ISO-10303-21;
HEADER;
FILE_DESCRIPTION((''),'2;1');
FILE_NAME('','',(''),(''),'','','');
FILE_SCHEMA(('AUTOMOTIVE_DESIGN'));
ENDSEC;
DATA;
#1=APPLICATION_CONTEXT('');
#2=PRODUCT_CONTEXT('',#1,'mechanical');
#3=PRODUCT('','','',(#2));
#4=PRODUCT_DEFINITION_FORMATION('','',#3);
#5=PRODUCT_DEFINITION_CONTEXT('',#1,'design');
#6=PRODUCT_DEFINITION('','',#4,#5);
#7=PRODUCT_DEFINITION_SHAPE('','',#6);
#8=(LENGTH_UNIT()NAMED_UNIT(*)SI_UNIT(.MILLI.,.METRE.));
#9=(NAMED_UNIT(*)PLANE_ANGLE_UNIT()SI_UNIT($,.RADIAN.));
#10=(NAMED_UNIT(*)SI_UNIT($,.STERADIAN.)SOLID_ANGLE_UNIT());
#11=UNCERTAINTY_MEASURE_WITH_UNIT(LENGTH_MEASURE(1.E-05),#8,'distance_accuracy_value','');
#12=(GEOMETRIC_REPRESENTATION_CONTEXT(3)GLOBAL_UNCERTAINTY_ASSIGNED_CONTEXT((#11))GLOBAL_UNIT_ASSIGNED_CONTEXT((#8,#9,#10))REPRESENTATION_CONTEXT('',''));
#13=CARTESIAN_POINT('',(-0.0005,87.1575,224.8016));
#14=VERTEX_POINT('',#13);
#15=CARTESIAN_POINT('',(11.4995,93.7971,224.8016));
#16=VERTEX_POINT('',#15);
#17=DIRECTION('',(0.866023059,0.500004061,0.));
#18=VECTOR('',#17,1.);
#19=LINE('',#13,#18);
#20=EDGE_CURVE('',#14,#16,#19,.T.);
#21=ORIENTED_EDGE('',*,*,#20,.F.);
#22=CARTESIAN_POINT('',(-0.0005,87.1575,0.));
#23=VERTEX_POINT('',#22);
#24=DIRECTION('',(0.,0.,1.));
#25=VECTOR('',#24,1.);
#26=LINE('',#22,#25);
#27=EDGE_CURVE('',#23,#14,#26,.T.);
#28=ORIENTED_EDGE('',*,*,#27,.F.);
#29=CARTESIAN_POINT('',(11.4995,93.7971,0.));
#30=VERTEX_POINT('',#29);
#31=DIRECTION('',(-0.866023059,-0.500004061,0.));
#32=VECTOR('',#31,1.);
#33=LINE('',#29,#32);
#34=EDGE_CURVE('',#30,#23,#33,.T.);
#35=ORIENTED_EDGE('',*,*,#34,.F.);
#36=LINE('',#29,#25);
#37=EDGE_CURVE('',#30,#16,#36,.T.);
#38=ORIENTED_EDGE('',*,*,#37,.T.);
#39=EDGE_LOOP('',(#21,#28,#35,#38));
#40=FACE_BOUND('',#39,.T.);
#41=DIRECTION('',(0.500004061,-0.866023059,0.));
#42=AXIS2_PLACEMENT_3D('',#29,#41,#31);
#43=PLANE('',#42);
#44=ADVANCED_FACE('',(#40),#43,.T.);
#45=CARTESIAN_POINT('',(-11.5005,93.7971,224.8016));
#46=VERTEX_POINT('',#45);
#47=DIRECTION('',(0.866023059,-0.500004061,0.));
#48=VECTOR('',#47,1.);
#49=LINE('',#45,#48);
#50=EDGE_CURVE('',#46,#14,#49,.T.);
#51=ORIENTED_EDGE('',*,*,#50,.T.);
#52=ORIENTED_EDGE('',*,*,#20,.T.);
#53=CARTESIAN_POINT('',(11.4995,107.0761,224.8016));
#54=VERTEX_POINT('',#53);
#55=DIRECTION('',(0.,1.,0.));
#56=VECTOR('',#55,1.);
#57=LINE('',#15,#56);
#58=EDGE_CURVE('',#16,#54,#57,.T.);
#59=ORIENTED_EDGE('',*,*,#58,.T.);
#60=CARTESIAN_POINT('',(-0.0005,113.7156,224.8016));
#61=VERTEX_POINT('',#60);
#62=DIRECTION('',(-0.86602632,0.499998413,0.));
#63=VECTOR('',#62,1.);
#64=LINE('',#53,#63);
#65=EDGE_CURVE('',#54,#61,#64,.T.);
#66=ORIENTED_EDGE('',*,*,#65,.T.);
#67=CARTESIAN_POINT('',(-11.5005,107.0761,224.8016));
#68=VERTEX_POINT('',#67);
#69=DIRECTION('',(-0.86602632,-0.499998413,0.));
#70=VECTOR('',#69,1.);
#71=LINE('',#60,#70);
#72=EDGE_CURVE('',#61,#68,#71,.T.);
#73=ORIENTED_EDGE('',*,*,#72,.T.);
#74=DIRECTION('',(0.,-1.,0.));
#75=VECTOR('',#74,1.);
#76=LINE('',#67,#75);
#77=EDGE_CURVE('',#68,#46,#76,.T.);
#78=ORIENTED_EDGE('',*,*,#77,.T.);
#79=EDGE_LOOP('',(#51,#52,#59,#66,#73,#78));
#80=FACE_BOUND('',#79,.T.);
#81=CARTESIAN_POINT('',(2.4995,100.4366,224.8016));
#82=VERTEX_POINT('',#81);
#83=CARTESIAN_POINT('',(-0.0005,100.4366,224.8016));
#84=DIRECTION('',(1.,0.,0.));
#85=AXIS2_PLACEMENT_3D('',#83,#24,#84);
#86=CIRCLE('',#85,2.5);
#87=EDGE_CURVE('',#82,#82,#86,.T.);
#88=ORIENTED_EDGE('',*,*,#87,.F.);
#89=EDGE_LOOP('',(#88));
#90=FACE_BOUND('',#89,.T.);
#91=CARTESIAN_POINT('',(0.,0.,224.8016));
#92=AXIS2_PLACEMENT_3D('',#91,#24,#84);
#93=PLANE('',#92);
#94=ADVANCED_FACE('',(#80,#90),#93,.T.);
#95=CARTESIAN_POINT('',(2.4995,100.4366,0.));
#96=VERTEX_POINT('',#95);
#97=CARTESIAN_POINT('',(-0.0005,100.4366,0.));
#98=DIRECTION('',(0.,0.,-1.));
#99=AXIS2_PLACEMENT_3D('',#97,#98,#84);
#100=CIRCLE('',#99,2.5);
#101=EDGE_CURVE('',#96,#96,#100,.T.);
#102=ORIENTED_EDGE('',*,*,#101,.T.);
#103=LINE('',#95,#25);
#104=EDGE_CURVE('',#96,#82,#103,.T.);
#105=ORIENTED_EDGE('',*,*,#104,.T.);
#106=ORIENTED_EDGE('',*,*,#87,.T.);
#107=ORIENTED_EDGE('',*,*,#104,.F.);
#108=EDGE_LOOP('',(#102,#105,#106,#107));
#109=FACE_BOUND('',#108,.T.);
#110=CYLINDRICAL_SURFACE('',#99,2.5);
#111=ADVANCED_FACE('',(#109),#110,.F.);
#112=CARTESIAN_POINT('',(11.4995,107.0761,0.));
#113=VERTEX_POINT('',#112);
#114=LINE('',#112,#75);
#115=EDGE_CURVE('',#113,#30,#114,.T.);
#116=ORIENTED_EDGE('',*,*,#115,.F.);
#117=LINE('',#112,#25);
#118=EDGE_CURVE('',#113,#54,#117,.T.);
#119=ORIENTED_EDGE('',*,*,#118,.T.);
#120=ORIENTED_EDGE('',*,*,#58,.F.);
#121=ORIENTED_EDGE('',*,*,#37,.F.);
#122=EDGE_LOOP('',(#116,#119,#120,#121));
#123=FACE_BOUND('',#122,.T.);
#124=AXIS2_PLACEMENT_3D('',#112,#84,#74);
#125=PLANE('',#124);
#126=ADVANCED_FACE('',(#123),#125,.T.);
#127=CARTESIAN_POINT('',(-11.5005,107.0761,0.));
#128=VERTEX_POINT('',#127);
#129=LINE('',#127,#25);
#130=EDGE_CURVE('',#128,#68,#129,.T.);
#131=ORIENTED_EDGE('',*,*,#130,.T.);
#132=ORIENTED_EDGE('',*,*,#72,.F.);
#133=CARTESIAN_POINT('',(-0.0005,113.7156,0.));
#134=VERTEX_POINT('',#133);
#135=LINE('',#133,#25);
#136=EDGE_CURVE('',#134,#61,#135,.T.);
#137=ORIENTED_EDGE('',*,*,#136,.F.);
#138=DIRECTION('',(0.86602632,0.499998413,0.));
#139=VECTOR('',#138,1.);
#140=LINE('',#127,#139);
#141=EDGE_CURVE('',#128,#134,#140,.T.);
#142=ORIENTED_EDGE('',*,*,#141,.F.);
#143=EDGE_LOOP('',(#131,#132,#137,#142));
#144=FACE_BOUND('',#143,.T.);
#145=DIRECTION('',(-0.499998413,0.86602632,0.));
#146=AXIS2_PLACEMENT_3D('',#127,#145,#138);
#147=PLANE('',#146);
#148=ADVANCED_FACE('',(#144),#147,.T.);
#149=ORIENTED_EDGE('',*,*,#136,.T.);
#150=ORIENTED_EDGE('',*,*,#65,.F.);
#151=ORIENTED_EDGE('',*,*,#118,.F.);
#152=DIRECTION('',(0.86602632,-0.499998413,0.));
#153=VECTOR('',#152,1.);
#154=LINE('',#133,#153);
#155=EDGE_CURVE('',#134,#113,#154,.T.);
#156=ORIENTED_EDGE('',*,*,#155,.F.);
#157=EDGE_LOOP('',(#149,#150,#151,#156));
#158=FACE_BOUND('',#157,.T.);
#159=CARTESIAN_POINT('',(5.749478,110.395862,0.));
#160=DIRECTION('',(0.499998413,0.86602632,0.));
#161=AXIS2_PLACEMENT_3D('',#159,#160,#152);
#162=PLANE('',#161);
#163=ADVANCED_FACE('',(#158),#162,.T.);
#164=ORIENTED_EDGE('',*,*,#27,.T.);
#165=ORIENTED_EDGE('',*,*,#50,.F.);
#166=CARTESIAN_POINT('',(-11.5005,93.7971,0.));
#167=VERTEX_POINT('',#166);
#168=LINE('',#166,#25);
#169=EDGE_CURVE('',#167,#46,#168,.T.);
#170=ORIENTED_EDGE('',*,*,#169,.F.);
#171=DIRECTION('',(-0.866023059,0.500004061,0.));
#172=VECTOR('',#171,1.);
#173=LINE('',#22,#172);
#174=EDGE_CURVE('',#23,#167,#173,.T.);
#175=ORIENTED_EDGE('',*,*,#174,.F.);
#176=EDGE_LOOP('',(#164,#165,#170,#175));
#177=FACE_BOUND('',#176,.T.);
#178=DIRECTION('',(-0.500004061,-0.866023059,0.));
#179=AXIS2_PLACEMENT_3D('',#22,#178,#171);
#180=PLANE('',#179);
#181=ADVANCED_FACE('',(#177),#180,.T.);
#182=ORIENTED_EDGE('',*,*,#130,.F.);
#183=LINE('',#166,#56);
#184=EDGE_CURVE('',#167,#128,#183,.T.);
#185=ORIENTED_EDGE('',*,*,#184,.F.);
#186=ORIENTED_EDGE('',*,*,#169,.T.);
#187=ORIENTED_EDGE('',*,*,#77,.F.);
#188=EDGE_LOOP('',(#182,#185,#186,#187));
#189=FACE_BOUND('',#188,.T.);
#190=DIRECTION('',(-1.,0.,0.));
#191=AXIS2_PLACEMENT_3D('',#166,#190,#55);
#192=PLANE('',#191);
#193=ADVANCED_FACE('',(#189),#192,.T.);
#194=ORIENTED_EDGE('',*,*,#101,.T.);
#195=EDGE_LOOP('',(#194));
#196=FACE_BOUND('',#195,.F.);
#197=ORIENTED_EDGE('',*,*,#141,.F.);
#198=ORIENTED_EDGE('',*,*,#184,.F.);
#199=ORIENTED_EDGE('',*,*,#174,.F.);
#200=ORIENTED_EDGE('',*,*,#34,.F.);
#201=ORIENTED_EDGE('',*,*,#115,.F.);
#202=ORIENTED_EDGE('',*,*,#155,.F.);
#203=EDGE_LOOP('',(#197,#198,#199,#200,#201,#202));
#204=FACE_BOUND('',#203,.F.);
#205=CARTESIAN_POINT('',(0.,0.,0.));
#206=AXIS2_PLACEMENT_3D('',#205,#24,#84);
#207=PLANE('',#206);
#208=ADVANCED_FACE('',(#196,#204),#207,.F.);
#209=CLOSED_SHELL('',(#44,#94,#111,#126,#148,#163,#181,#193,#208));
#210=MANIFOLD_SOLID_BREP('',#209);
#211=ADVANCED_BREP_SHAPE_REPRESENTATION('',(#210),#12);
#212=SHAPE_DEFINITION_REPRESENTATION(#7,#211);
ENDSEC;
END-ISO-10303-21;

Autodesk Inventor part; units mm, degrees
ref_plane "YZ Plane" through (0, 0, 0) normal (1, 0, 0) x (0, 1, 0)
ref_plane "XZ Plane" through (0, 0, 0) normal (0, 1, 0) x (-1, 0, 0)
sketch "Sketch1" plane through (0, 0, 0) normal (0, 0, 1) x (1, 0, 0)
  circle A0 centre (-0.0005, 100.4366) radius 2.5 projected
  arc A1 (7.4995, 100.4366) -> (-7.5005, 100.4366) centre (-0.0005, 100.4366) ccw projected
  circle A2 centre (-0.0005, 100.4366) radius 7.5
  arc A3 (11.4995, 100.4366) -> (-11.5005, 100.4365) centre (-0.0005, 100.4366) ccw projected
  circle A4 centre (-0.0005, 100.4366) radius 11.5
  line L0 (-0.0005, 100.4366) -> (11.4995, 107.0761)
  line L1 (-0.0005, 100.4366) -> (16.6776, 100.4366) construction
  line L2 (-0.0005, 111.9366) -> (9.9588, 106.1866)
  line L3 (5.7495, 110.3959) -> (4.9792, 109.0616)
  line L4 (-0.0005, 113.7156) -> (11.4995, 107.0761)
  line L5 (-4.6563, 116.4037) -> (19.5852, 116.4037) construction
  line L6 (-0.0005, 100.4366) -> (-0.0005, 113.7156)
  line L7 (-11.5005, 107.0761) -> (-0.0005, 113.7156)
  line L8 (-11.5005, 93.7971) -> (-11.5005, 107.0761)
  line L9 (-0.0005, 87.1575) -> (-11.5005, 93.7971)
  line L10 (11.4995, 93.7971) -> (-0.0005, 87.1575)
  line L11 (11.4995, 107.0761) -> (11.4995, 93.7971)
  point P0 (0, 0)
  point P1 (11.4995, 100.4366)
  point P2 (11.4995, 100.4366)
  dimension "d0" = 30
  dimension "d1" = 30
  dimension "d4" = 360
ref_plane "Work Plane1" through (-7.5007, -7.5, 224.8016) normal (0, 0, -1) x (0, 1, 0)
extrude "Extrusion1" add sketch "Sketch1" along normal up to surface (224.8016 mm away) contours A0 L0 A1 A2 L6 | A0 L6 A1 L0 | L0 A3 A4 L6 A1 A2 | A1 L6 L2 L0 | L0 L11 A3 | L2 L3 A3 | A3 L4 L0 | L6 L4 A3 | A3 L3 L2 | A3 L7 L6 | L11 L10 A4 | A3 L8 L7 | L10 L9 A4 | A4 L9 L8
properties part number "TheHandleBar_3DPrint"
